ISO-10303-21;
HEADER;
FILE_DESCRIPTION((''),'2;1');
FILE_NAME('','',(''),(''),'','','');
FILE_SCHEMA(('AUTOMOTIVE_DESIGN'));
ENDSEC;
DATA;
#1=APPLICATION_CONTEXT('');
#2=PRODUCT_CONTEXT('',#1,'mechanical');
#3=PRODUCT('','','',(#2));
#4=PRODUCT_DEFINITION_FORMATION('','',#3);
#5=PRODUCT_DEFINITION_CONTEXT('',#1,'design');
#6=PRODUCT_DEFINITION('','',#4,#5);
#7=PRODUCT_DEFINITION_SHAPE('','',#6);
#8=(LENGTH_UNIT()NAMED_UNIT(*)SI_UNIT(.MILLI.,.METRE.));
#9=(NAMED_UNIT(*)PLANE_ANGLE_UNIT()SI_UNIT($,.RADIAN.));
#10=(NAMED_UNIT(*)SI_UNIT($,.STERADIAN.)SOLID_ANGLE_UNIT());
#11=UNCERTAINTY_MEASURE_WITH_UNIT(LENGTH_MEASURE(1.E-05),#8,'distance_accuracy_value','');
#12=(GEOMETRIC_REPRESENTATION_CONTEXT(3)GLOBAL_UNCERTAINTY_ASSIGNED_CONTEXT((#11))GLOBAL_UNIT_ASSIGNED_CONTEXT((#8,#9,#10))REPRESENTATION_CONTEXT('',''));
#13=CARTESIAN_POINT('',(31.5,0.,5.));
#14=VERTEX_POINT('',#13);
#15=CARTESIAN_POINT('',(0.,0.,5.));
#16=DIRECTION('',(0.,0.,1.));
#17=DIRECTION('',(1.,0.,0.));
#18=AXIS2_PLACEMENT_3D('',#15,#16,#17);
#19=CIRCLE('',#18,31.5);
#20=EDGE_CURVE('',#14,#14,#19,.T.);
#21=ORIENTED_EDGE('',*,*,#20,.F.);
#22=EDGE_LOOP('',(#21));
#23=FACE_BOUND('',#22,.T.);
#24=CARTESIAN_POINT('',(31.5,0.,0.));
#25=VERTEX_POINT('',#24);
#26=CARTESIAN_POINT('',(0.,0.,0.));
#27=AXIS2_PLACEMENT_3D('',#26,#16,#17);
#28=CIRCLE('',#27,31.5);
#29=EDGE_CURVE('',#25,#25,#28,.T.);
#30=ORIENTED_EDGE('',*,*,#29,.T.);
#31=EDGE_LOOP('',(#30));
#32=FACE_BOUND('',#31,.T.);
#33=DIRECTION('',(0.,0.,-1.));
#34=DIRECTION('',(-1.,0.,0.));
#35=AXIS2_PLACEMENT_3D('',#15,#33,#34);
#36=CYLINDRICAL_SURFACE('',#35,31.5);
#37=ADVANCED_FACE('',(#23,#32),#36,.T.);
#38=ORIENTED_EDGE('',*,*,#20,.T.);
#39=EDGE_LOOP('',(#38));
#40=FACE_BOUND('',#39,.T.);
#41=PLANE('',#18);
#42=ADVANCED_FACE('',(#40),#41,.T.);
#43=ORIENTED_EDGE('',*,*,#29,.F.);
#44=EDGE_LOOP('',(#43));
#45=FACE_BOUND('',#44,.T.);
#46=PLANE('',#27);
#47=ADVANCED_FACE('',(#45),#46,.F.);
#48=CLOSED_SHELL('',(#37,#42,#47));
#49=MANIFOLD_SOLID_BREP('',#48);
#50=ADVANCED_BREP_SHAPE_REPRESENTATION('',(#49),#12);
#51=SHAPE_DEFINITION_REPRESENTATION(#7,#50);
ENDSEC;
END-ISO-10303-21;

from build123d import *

# Parameters (mm, degrees)
ESBO_O1_R                = 31.5
RESSALTO_EXTRUS_O1_DEPTH = 5


with BuildPart() as part:
    # Esboço1 → Ressalto-extrusão1 (new body)
    with BuildSketch(Plane.XY):
        Circle(ESBO_O1_R)
    extrude(amount=RESSALTO_EXTRUS_O1_DEPTH)


solid = part.part
